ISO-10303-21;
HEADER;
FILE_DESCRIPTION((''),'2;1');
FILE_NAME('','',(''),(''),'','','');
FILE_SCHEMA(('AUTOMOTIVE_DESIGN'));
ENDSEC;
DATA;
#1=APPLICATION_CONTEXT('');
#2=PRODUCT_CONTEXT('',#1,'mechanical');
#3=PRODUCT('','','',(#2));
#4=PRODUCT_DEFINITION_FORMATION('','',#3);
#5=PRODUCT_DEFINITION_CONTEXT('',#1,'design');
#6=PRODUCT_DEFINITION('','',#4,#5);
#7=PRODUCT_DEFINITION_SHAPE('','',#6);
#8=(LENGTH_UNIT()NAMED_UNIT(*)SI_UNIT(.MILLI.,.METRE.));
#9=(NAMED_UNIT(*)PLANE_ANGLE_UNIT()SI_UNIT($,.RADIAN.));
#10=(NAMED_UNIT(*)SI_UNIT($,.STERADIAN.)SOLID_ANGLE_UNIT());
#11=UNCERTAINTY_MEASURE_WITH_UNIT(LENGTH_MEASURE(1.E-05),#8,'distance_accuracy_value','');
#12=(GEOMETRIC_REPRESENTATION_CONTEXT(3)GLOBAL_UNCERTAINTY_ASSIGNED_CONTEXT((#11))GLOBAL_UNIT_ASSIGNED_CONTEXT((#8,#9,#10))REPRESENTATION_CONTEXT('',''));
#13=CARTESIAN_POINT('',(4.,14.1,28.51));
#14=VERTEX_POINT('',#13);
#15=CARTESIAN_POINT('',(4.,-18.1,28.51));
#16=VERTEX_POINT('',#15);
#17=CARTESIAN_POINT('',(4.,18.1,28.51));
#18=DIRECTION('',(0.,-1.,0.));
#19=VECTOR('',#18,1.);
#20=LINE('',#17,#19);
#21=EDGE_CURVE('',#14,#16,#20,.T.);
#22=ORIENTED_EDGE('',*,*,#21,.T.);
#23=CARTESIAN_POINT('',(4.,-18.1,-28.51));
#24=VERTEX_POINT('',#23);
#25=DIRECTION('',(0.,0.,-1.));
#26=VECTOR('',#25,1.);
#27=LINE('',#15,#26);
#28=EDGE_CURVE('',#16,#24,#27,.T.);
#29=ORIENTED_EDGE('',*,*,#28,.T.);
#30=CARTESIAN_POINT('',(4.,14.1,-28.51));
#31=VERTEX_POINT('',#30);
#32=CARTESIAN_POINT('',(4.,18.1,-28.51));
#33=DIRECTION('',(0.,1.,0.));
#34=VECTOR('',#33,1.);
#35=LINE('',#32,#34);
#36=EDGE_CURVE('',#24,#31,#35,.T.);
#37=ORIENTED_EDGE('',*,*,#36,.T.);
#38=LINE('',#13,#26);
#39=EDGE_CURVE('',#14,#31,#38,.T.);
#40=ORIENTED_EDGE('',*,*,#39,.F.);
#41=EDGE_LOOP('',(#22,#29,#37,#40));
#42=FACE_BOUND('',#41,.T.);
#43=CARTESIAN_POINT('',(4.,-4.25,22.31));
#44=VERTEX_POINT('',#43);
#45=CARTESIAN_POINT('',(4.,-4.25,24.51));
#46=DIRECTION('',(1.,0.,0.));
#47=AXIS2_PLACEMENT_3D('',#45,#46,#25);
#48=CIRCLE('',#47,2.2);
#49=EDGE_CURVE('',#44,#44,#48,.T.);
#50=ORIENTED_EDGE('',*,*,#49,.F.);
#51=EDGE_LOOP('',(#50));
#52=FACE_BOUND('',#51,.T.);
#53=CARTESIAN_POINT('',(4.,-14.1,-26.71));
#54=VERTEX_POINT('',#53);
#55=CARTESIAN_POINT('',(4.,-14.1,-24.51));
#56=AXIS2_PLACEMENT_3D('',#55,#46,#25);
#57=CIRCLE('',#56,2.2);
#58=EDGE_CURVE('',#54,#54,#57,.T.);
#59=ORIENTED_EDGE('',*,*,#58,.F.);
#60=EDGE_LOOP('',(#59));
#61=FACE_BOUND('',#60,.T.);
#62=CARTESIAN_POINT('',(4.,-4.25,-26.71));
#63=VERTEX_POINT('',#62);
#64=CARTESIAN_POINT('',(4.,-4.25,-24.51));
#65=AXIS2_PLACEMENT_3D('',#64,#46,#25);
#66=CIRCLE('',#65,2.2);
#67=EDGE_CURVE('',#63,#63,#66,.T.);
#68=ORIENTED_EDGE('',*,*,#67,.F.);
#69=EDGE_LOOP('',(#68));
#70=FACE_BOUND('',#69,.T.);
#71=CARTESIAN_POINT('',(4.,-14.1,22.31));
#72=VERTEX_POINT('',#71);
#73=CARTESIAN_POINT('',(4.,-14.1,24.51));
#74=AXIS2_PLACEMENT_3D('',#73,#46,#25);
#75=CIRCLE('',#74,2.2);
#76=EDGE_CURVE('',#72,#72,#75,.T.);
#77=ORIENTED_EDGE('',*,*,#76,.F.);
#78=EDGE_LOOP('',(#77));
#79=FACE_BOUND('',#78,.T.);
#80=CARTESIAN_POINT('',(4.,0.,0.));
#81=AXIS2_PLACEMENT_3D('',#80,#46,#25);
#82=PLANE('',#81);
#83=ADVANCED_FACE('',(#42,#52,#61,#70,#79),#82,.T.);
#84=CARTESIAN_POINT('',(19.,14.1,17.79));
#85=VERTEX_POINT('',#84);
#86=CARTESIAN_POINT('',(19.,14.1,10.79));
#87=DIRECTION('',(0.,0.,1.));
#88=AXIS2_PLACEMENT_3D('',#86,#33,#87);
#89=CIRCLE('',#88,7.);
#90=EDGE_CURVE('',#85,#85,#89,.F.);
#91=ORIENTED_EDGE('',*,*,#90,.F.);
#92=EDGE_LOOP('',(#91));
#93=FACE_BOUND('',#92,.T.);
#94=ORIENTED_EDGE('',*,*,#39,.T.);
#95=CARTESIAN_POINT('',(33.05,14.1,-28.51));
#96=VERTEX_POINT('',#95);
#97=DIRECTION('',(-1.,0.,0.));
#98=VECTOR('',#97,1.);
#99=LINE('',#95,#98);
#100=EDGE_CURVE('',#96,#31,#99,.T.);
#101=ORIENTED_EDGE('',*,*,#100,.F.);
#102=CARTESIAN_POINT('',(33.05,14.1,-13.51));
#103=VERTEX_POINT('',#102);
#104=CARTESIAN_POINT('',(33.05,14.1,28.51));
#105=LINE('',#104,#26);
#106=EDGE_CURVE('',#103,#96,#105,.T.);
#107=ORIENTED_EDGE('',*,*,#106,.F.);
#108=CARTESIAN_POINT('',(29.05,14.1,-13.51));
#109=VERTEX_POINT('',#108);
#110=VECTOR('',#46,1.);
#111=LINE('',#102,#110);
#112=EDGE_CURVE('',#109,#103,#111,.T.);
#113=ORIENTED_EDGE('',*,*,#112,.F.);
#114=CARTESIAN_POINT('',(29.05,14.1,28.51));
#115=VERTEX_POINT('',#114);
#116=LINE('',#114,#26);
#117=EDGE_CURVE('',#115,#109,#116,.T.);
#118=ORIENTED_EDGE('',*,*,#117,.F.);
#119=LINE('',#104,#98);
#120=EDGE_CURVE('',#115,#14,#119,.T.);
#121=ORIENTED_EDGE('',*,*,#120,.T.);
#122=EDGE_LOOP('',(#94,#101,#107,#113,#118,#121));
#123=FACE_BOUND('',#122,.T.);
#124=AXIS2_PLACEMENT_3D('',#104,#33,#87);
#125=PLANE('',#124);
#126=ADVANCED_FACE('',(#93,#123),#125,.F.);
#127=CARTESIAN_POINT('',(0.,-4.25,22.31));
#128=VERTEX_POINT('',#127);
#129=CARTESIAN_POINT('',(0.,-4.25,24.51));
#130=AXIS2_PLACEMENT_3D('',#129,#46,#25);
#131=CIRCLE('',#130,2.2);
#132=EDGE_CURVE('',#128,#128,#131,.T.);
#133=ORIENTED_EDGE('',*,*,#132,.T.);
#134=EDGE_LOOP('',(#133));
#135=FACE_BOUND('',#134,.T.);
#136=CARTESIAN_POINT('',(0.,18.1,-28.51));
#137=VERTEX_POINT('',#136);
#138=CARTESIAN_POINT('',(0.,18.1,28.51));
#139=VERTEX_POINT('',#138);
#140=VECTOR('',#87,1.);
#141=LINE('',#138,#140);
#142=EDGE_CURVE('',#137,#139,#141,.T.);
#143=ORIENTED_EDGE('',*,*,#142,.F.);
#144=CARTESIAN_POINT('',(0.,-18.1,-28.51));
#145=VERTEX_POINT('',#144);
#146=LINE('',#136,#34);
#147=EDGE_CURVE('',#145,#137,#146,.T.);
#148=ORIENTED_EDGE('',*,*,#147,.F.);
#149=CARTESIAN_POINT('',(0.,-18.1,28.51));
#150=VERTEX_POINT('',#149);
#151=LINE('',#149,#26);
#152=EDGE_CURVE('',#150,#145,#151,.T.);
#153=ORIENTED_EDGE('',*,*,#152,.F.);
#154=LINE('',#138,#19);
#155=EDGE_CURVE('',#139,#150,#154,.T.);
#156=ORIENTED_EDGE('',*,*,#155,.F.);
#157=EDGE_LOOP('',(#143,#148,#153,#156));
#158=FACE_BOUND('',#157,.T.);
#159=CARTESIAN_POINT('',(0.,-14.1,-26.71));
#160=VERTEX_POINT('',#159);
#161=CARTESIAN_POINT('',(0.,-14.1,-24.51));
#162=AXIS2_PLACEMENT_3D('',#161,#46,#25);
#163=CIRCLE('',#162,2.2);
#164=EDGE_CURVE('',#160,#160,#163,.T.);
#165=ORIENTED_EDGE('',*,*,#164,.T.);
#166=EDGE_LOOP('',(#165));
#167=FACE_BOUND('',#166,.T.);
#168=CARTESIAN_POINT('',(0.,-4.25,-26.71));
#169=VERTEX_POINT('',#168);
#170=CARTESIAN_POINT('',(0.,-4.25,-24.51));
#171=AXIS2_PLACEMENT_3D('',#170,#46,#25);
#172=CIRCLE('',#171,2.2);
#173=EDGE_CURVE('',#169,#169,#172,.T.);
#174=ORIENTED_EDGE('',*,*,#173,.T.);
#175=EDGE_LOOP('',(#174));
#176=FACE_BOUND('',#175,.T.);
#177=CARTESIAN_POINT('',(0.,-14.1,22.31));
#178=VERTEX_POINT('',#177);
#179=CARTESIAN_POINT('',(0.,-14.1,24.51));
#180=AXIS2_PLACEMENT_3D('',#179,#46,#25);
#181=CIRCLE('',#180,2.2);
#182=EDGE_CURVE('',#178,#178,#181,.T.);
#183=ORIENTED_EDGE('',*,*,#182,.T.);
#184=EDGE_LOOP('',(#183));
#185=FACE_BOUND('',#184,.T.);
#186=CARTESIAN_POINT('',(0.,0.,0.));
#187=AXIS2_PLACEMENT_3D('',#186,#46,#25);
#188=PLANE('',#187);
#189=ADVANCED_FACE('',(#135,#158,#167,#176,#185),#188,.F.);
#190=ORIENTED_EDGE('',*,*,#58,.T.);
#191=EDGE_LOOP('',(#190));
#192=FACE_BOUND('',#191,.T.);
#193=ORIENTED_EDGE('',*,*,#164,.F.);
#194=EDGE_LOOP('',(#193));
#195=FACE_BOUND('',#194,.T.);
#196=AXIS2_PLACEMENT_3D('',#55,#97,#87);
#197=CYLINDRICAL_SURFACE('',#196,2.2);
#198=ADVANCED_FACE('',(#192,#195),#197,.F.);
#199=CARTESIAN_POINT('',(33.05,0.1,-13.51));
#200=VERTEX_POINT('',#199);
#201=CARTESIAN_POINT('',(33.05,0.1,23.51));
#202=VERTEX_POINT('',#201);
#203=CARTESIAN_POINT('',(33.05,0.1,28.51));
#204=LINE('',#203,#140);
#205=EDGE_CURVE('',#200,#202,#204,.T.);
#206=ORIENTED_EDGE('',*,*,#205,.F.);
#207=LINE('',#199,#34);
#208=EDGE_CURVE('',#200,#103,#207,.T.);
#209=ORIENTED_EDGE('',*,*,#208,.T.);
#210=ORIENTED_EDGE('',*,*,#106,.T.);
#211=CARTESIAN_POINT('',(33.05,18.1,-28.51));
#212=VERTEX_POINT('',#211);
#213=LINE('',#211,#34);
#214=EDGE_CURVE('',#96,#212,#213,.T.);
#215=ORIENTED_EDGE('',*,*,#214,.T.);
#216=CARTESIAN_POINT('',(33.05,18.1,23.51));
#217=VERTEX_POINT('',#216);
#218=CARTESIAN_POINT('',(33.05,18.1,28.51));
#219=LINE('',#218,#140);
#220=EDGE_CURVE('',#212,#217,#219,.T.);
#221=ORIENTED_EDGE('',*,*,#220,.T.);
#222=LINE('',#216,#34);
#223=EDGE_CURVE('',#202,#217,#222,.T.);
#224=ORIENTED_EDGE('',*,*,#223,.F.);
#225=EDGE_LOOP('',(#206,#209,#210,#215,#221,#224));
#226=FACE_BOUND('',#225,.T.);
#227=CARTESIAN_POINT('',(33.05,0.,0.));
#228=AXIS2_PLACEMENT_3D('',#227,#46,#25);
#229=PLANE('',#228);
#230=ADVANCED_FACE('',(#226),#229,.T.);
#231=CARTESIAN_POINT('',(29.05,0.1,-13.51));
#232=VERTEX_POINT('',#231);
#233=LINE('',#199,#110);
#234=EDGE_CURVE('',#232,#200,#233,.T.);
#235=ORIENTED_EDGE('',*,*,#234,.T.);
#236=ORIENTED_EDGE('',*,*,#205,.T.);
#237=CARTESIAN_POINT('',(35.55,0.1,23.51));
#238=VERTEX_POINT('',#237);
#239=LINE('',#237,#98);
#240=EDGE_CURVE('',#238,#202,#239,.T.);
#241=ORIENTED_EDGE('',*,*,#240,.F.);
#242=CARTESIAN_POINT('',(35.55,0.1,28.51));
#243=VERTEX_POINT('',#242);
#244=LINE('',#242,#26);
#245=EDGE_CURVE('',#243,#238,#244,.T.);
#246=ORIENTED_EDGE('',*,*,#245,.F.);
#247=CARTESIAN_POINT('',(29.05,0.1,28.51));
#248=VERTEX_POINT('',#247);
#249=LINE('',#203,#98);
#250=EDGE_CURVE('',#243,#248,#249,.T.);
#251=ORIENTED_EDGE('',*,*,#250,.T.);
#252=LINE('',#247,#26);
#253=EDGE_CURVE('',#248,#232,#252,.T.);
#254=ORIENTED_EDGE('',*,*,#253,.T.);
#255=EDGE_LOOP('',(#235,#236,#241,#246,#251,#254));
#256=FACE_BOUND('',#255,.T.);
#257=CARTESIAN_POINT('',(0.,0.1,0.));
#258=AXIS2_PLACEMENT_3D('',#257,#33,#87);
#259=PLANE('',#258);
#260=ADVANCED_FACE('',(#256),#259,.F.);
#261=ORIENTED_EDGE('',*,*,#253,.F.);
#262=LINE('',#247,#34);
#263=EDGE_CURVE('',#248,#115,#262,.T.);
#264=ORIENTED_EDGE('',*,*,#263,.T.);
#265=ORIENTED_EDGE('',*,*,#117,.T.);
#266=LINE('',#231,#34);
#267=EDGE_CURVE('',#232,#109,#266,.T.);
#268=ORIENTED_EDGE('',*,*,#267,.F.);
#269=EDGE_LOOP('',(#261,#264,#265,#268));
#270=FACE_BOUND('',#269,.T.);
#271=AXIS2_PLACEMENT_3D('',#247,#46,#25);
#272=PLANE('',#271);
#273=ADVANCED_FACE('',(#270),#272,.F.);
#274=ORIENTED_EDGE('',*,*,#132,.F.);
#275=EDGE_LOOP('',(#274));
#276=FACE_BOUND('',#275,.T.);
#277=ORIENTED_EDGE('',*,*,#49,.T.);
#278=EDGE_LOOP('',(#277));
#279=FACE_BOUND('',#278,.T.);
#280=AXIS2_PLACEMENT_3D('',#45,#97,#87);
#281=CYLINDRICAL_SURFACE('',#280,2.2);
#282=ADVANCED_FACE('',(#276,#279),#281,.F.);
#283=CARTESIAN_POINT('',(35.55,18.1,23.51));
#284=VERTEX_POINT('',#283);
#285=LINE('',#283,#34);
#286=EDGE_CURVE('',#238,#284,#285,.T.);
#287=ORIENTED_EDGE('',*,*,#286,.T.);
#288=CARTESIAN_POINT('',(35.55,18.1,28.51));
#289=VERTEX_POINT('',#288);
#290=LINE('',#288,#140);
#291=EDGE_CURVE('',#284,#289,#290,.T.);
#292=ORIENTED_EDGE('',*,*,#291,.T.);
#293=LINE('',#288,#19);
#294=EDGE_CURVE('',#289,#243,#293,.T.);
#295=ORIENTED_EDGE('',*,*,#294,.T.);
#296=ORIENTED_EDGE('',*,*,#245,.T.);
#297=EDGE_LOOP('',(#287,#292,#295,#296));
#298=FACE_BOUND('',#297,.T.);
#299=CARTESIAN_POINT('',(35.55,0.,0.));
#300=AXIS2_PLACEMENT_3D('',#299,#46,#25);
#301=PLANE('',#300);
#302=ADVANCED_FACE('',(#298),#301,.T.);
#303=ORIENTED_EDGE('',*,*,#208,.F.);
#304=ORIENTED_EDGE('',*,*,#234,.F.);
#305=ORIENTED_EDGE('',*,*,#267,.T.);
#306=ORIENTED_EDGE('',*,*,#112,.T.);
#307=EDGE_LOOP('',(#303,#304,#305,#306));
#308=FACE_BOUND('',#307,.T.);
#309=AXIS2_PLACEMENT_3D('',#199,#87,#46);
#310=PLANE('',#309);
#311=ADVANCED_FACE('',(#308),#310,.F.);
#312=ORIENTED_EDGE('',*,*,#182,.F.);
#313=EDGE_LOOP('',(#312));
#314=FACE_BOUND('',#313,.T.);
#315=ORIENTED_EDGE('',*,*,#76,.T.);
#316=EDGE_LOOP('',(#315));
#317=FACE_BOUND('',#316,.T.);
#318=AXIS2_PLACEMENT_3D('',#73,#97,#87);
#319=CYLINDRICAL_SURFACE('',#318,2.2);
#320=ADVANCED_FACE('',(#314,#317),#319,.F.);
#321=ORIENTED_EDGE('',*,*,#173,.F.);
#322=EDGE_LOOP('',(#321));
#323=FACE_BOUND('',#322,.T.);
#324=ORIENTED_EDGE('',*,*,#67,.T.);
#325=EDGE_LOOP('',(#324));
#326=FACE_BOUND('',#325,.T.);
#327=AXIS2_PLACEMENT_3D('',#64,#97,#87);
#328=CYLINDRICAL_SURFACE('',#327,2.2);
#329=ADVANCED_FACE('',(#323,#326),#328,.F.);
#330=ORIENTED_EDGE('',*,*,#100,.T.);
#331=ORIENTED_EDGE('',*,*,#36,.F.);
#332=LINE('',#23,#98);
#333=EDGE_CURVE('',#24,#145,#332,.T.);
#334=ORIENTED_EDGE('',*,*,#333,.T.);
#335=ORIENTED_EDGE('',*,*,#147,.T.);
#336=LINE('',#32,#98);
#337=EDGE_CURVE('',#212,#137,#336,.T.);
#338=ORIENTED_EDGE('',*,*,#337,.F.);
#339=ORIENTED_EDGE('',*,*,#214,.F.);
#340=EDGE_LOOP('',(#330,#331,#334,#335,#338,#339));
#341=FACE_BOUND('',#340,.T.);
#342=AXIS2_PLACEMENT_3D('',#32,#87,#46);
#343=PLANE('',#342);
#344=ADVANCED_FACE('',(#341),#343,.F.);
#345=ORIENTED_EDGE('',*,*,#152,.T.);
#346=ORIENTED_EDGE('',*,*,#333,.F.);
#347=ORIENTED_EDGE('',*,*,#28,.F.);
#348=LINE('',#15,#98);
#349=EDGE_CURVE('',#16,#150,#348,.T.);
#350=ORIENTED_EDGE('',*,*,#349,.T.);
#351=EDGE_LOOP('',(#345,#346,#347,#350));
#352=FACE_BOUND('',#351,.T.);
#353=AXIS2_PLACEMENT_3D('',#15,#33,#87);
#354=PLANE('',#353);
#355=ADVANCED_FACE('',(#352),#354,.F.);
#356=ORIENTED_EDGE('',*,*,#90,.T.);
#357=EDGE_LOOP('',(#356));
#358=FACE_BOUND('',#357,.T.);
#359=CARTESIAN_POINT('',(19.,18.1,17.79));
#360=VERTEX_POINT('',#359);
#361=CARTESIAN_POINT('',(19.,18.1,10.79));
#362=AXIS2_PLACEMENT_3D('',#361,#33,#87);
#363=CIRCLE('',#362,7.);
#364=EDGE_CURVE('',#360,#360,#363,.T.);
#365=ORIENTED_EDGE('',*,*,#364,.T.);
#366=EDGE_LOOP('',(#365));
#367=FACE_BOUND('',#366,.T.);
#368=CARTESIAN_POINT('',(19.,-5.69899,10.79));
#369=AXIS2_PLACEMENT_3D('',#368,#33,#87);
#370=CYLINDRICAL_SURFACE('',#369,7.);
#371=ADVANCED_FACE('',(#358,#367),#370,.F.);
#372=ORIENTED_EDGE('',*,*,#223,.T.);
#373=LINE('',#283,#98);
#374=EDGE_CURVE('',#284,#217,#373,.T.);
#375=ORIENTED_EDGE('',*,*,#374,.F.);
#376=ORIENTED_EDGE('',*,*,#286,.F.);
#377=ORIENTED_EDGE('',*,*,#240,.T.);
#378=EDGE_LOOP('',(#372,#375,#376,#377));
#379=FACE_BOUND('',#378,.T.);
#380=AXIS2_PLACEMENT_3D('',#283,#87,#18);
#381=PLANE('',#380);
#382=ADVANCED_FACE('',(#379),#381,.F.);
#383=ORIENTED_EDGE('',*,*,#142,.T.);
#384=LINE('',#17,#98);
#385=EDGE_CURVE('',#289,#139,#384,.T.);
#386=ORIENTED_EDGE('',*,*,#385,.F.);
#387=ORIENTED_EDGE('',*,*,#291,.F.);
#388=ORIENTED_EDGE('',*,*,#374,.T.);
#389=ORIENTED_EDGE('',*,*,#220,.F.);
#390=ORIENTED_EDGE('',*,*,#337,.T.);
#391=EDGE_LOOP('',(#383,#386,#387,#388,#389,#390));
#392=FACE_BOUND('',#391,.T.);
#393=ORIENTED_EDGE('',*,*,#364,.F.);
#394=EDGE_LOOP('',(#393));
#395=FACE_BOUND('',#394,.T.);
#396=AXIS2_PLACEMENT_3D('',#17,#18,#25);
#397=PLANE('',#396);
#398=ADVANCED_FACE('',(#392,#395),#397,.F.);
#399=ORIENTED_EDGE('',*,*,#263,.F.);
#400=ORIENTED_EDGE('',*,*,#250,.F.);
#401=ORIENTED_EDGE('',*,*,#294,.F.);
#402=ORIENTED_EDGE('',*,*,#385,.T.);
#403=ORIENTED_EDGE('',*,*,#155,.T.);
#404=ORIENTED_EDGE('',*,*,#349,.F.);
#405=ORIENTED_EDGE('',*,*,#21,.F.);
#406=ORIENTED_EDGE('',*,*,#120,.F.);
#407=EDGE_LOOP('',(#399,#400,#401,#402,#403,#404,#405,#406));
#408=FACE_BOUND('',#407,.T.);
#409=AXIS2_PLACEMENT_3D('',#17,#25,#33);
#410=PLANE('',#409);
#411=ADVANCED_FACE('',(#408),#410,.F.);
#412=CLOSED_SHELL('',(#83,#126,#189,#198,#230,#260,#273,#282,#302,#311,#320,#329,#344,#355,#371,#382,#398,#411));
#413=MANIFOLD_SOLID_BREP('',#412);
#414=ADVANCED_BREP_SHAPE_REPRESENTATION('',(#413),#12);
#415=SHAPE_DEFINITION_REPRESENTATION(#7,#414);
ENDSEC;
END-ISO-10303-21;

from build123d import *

# Parameters (mm, degrees)
SKETCH1_W           = 57.02
SKETCH1_H           = 36.2
SKETCH1_R           = 2.2
BOSS_EXTRUDE1_DEPTH = 4
SKETCH2_W           = 57.02
SKETCH2_H           = 4
BOSS_EXTRUDE2_DEPTH = 29.05
SKETCH3_W           = 4
SKETCH3_H           = 42.02
BOSS_EXTRUDE3_DEPTH = 14
SKETCH5_R           = 7
CUT_EXTRUDE1_DEPTH  = 4
SKETCH6_W           = 5
SKETCH6_H           = 18
BOSS_EXTRUDE4_DEPTH = 2.5


with BuildPart() as part:
    # Sketch1 → Boss-Extrude1 (new body)
    with BuildSketch(Plane(origin=(0, 0, 0), x_dir=(0, 0, -1), z_dir=(1, 0, 0))):
        Rectangle(SKETCH1_W, SKETCH1_H)
        with Locations((-24.51, -4.25)):
            Circle(SKETCH1_R, mode=Mode.SUBTRACT)
        with Locations((-24.51, -14.1)):
            Circle(SKETCH1_R, mode=Mode.SUBTRACT)
        with Locations((24.51, -4.25)):
            Circle(SKETCH1_R, mode=Mode.SUBTRACT)
        with Locations((24.51, -14.1)):
            Circle(SKETCH1_R, mode=Mode.SUBTRACT)
    extrude(amount=BOSS_EXTRUDE1_DEPTH)

    # Sketch2 → Boss-Extrude2 (add)
    with BuildSketch(Plane(origin=(4, 0, 0), x_dir=(0, 0, -1), z_dir=(1, 0, 0))):
        with Locations((0, 16.1)):
            Rectangle(SKETCH2_W, SKETCH2_H)
    extrude(amount=BOSS_EXTRUDE2_DEPTH)

    # Sketch3 → Boss-Extrude3 (add)
    with BuildSketch(Plane.XZ.offset(-14.1)):
        with Locations((31.05, 7.5)):
            Rectangle(SKETCH3_W, SKETCH3_H)
    extrude(amount=BOSS_EXTRUDE3_DEPTH)

    # Sketch5 → Cut-Extrude1 (cut)
    with BuildSketch(Plane(origin=(0, 18.1, 0), x_dir=(1, 0, 0), z_dir=(0, 1, 0))):
        with Locations((19, -10.79)):
            Circle(SKETCH5_R)
    extrude(amount=-CUT_EXTRUDE1_DEPTH, mode=Mode.SUBTRACT)

    # Sketch6 → Boss-Extrude4 (add)
    with BuildSketch(Plane(origin=(33.05, 0, 0), x_dir=(0, 0, -1), z_dir=(1, 0, 0))):
        with Locations((-26.01, 9.1)):
            Rectangle(SKETCH6_W, SKETCH6_H)
    extrude(amount=BOSS_EXTRUDE4_DEPTH)


solid = part.part
